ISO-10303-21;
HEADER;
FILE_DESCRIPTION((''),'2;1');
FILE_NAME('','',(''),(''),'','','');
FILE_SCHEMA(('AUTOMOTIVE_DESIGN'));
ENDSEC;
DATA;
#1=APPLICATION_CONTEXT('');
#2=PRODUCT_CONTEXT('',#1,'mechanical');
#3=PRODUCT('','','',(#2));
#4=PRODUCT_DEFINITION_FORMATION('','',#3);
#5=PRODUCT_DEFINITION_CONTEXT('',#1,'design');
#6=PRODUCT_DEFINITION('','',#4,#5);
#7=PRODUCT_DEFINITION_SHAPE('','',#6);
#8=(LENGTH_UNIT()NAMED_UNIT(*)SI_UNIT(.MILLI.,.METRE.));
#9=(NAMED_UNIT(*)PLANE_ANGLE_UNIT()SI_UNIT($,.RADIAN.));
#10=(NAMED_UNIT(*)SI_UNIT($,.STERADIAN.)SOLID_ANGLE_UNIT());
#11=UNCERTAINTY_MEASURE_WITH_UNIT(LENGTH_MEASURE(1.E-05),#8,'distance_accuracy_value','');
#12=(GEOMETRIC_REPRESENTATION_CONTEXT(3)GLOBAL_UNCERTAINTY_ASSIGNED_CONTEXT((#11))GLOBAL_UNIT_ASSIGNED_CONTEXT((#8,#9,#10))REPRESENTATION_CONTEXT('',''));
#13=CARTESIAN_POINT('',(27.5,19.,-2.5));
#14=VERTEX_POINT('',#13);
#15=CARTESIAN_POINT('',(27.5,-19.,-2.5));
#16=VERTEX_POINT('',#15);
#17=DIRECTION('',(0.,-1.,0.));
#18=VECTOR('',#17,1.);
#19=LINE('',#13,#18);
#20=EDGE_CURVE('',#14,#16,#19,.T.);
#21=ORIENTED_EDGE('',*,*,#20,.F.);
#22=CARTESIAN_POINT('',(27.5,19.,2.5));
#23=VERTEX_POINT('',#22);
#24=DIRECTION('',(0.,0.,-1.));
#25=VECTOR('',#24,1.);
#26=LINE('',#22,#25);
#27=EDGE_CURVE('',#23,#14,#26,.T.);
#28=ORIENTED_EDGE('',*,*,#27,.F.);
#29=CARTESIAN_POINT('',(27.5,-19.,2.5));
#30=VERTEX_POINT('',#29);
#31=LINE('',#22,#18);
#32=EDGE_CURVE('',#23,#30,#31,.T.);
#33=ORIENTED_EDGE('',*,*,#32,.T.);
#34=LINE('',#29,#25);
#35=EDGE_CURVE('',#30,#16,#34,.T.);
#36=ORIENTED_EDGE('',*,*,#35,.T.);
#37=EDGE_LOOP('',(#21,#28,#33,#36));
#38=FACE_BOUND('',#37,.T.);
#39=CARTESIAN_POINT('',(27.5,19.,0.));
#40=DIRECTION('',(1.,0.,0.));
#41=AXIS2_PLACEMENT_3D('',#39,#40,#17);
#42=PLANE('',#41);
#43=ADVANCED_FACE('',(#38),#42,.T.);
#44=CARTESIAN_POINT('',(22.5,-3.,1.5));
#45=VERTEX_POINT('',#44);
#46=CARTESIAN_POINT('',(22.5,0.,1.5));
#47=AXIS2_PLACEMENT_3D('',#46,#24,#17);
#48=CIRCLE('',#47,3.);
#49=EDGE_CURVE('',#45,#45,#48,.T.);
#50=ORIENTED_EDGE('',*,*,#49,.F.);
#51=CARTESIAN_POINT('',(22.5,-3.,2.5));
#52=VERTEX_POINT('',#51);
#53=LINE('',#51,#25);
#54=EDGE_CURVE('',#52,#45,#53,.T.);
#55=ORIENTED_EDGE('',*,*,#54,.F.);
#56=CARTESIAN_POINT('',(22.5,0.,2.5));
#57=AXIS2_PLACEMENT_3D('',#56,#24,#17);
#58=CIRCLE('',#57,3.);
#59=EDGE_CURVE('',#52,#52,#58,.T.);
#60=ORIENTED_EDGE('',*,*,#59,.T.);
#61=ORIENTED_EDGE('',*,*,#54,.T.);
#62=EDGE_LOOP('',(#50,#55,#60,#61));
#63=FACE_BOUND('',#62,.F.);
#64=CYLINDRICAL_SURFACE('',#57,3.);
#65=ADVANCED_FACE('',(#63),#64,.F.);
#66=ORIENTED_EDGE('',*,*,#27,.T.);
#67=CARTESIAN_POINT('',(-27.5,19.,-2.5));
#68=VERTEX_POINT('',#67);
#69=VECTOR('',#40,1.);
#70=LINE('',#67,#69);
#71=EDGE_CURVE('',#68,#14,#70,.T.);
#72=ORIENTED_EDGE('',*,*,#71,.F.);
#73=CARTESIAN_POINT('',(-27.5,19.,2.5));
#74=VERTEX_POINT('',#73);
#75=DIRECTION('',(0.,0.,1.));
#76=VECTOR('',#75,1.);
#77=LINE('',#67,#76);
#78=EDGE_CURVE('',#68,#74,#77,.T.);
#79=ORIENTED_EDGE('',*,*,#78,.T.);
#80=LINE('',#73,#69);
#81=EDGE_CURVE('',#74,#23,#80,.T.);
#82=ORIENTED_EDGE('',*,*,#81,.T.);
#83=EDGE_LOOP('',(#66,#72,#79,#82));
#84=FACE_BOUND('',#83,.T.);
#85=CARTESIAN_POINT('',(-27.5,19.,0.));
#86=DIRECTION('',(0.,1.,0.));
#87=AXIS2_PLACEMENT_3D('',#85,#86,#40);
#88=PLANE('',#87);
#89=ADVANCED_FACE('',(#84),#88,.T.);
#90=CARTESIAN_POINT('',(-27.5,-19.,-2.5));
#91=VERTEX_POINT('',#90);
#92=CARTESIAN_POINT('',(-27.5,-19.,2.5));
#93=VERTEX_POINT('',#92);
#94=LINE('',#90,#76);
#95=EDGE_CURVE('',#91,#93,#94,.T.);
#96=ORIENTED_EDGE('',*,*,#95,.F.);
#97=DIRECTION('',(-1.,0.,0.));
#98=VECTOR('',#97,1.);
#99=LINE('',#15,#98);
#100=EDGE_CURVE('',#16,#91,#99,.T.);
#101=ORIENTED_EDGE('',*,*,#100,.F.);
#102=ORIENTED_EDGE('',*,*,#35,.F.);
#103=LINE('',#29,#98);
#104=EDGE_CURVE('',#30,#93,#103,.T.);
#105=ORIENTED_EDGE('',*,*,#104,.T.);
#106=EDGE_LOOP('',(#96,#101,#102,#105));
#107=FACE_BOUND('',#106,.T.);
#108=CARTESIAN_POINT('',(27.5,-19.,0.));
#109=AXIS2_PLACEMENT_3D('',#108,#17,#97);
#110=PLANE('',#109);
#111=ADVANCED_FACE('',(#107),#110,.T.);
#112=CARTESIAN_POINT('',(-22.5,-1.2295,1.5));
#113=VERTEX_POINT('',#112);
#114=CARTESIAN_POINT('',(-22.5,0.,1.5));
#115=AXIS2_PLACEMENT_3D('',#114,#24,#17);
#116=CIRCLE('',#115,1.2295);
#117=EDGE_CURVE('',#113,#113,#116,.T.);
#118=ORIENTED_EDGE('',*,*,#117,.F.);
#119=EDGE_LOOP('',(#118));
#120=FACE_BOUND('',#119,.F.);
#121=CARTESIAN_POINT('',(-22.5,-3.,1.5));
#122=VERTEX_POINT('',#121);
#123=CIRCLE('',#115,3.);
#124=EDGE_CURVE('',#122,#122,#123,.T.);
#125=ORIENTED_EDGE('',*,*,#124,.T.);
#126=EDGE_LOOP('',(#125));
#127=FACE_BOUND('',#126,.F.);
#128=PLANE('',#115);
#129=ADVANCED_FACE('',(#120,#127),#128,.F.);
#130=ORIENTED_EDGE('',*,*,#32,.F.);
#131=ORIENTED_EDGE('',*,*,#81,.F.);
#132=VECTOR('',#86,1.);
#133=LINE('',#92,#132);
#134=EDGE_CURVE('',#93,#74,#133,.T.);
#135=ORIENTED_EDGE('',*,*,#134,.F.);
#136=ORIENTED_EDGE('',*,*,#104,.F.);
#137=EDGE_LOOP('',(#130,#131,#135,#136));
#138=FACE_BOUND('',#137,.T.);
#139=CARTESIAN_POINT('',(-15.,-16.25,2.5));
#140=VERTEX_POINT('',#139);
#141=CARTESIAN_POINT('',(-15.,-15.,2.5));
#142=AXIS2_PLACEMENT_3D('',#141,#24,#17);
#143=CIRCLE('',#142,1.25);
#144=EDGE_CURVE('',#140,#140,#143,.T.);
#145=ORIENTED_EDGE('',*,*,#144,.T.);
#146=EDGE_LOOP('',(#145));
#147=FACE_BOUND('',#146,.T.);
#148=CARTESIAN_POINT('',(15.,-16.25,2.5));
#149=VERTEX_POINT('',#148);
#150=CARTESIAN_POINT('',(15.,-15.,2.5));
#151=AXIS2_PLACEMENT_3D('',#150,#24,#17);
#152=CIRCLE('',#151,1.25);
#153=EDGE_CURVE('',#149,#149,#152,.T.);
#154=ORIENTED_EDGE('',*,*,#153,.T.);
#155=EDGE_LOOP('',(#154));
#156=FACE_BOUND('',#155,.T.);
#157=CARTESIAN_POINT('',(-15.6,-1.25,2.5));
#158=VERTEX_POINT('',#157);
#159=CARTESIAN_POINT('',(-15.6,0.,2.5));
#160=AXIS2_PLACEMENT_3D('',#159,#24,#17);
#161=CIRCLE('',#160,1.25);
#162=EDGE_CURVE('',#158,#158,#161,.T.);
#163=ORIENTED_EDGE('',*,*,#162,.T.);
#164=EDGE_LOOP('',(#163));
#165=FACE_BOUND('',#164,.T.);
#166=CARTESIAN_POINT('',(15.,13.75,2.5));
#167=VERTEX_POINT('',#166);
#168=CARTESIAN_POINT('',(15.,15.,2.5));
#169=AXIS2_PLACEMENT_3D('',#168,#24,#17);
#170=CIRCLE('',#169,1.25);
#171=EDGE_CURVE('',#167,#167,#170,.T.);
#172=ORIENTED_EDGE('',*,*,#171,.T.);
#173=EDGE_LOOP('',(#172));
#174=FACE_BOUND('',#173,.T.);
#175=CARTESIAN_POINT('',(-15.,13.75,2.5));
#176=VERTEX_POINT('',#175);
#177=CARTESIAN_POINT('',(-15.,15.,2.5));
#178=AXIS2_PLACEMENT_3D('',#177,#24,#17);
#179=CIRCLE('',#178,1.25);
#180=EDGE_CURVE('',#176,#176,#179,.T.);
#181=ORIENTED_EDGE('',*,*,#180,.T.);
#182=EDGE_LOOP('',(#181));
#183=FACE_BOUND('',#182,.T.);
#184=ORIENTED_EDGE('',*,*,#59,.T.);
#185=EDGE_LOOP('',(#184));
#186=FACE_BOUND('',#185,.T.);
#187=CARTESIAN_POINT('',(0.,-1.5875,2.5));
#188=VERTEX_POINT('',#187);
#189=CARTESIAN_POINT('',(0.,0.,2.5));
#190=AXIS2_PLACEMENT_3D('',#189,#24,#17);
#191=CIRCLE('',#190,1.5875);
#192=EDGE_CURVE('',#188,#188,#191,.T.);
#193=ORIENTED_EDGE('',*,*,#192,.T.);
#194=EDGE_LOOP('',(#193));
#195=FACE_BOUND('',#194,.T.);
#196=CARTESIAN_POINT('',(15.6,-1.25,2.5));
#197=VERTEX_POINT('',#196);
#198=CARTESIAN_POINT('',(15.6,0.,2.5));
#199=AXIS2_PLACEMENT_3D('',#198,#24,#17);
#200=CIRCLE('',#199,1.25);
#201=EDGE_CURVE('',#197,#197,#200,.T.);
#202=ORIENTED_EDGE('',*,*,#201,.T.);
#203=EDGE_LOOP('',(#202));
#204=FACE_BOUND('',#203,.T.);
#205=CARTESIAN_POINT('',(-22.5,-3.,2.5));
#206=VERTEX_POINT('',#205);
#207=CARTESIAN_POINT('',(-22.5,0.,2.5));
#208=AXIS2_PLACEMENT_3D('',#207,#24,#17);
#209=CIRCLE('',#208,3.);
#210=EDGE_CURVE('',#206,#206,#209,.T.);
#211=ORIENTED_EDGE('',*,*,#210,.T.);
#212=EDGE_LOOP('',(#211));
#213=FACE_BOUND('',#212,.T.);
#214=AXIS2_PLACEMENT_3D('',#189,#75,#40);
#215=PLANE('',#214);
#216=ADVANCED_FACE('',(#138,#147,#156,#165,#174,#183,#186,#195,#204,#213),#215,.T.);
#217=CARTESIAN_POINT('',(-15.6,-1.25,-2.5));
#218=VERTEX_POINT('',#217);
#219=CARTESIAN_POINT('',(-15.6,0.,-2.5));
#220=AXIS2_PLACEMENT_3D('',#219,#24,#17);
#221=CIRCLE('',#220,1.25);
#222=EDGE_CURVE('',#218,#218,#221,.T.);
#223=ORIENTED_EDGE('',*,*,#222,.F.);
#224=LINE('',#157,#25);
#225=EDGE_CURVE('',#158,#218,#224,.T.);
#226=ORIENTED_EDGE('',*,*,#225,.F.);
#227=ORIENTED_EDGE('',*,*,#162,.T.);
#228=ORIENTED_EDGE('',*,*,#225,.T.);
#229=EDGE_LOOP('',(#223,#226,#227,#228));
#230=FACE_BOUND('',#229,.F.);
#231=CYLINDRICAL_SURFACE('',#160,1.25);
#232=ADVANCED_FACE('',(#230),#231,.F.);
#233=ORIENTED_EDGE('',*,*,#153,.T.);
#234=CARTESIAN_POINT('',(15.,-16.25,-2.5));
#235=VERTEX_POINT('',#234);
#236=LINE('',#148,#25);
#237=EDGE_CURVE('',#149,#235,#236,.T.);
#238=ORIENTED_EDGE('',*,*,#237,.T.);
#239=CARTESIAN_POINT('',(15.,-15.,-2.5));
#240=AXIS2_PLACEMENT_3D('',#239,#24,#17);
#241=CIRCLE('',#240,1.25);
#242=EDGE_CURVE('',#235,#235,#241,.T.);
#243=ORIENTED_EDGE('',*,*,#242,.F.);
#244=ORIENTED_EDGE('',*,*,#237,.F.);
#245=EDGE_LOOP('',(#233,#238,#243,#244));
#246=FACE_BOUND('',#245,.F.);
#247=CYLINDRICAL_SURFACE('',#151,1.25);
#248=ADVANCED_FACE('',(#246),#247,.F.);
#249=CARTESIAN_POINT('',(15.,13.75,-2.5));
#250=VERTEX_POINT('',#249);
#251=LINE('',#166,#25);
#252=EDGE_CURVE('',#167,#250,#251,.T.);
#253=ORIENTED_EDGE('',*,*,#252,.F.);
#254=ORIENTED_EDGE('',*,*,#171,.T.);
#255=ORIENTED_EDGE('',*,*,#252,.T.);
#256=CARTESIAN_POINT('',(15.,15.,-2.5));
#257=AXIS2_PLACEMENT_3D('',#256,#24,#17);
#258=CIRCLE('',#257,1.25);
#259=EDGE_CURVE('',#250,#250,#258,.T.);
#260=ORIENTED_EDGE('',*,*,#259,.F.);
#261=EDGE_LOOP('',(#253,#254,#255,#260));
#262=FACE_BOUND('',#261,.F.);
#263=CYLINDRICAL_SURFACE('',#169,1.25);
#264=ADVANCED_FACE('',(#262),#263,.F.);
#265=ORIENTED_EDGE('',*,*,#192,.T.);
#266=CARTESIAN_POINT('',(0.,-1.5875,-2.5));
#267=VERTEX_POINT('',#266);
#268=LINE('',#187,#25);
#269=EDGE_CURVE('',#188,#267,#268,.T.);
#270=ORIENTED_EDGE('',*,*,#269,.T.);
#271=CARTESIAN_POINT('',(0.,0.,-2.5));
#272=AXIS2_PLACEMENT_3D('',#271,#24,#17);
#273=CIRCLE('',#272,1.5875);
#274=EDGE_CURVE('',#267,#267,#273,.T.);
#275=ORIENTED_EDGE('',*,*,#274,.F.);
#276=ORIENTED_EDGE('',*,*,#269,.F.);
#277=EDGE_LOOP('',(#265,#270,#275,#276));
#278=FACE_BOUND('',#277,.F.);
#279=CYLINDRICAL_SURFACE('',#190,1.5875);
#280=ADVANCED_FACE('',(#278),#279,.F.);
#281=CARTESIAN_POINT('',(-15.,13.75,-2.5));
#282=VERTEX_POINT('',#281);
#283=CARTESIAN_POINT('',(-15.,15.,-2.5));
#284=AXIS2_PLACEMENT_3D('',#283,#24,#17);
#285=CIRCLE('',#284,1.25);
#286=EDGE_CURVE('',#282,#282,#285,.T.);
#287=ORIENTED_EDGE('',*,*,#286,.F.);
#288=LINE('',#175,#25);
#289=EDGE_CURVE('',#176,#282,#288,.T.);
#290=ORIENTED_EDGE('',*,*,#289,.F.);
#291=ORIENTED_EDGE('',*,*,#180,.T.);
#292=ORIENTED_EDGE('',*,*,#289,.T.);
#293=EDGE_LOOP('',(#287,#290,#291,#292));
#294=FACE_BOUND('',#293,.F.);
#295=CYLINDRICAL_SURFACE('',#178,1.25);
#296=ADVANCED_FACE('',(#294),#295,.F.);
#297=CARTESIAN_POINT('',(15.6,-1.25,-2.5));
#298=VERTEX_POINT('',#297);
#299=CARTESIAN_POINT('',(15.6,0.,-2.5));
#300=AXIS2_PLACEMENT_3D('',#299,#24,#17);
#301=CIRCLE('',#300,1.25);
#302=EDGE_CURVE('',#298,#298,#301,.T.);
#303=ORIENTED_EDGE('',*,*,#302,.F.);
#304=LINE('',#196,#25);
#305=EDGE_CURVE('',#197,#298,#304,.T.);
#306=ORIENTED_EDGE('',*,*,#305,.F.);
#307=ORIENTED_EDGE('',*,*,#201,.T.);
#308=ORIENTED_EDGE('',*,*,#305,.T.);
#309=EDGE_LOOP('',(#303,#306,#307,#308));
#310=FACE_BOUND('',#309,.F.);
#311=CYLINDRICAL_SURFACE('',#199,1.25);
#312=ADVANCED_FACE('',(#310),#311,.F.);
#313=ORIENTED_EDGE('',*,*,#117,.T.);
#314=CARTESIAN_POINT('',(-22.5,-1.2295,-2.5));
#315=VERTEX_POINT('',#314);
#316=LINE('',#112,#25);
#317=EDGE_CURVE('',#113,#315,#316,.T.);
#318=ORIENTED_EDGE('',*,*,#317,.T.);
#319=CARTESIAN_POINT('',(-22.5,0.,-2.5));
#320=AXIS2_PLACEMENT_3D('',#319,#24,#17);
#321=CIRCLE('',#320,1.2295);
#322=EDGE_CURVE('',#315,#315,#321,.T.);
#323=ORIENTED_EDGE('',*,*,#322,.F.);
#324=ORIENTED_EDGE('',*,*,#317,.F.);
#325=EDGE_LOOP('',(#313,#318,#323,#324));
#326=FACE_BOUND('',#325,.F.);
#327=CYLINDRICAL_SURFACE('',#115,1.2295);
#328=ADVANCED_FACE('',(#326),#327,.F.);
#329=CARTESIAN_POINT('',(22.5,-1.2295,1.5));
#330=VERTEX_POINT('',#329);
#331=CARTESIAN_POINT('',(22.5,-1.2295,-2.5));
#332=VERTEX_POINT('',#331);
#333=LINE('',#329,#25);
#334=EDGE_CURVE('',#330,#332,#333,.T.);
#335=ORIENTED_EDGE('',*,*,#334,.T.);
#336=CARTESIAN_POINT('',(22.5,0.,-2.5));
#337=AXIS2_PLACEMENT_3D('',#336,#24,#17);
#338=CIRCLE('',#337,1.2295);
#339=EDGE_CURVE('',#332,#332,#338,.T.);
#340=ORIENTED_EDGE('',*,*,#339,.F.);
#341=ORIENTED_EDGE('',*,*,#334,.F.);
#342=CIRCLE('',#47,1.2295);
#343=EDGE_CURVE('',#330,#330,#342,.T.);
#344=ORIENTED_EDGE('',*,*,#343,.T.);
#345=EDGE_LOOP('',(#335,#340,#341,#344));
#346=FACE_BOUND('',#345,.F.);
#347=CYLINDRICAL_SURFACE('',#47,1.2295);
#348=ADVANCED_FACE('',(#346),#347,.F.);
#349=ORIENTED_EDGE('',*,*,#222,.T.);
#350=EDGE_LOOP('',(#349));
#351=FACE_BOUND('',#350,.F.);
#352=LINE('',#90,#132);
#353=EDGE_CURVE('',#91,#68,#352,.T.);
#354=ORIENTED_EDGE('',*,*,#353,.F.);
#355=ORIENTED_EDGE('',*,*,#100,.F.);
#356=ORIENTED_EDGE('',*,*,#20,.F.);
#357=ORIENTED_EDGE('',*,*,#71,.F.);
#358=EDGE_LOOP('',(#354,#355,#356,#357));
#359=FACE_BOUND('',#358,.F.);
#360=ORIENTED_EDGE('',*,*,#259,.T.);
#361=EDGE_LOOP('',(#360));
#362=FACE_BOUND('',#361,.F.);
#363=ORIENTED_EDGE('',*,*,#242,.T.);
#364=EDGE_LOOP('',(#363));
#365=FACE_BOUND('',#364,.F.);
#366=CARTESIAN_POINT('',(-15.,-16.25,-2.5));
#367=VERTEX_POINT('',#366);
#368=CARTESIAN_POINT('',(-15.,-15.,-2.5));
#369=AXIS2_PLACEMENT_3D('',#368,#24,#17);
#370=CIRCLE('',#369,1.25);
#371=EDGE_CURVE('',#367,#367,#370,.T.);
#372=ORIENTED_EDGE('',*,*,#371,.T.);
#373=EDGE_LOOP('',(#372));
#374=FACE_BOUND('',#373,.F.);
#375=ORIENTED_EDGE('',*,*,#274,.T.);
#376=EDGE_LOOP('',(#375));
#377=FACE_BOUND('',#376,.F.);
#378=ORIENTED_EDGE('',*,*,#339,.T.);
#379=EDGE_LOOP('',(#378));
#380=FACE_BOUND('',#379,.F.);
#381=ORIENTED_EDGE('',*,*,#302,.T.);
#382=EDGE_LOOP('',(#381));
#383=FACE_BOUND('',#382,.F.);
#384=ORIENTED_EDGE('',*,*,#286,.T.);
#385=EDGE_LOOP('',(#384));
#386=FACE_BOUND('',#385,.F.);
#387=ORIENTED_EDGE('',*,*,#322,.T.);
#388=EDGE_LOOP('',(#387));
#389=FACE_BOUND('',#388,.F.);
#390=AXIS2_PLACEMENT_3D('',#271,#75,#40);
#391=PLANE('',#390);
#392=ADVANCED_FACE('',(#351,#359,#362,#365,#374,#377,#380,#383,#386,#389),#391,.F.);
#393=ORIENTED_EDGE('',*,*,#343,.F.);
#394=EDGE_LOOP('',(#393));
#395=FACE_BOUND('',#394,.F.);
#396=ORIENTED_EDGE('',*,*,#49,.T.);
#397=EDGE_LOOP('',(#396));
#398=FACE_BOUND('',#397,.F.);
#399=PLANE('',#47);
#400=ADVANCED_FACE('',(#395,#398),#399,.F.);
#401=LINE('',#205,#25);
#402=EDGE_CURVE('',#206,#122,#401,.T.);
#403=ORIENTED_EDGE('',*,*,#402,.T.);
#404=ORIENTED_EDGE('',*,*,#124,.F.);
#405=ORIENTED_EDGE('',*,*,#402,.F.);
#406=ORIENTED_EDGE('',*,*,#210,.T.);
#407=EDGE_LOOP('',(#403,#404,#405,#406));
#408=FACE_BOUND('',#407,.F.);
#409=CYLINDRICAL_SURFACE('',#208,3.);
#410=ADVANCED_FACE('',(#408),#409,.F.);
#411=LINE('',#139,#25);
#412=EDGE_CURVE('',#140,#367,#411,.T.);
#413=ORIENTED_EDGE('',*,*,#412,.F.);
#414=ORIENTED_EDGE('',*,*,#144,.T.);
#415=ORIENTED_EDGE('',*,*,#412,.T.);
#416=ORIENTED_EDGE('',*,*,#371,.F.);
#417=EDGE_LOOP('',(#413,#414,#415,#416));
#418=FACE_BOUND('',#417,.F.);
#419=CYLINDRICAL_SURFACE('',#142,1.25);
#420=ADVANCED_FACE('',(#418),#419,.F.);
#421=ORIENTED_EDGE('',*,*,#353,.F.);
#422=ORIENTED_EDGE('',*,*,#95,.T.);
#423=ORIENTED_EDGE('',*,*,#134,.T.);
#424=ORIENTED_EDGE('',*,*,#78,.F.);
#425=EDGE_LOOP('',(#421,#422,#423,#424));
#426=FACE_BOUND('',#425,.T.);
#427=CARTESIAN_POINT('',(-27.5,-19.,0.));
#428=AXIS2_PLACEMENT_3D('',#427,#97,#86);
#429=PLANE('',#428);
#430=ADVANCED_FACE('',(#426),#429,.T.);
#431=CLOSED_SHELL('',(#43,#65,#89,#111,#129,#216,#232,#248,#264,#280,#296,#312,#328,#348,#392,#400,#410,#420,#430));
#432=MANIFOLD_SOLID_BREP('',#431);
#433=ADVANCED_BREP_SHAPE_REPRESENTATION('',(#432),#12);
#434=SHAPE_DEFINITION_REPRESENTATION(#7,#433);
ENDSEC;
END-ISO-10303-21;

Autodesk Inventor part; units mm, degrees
ref_plane "YZ Plane" through (0, 0, 0) normal (1, 0, 0) x (0, 1, 0)
ref_plane "XZ Plane" through (0, 0, 0) normal (0, 1, 0) x (-1, 0, 0)
ref_plane "XY Plane" through (0, 0, 0) normal (0, 0, 1) x (1, 0, 0)
sketch "Sketch1" plane through (0, 0, 0) normal (0, 0, 1) x (1, 0, 0)
  line L0 (-27.5, 19) -> (27.5, 19)
  line L1 (27.5, 19) -> (27.5, -19)
  line L2 (27.5, -19) -> (-27.5, -19)
  line L3 (-27.5, -19) -> (-27.5, 19)
  line L4 (-27.5, 19) -> (27.5, -19) construction
  line L5 (27.5, 19) -> (-27.5, -19) construction
  point P0 (0, 0)
  dimension "d2" = 38
  dimension "d3" = 55
extrude "Extrusion1" add sketch "Sketch1" along normal mid plane 5
sketch "Sketch2" plane through (0, 0, 2.5) normal (0, 0, 1) x (1, 0, 0)
  line L0 (-27.5, -19) -> (27.5, -19) projected
  line L1 (27.5, -19) -> (27.5, 19) projected
  line L2 (27.5, 19) -> (-27.5, 19) projected
  line L3 (-27.5, 19) -> (-27.5, -19) projected
  point P0 (0, 0)
  point P1 (-15, 15)
  point P2 (15, 15)
  point P3 (-15, -15)
  point P4 (15, -15)
  point P5 (0, 0)
  point P6 (15.6, 0)
  point P7 (-15.6, 0)
  dimension "d4" = 15
  dimension "d5" = 15
  dimension "d36" = 30
  dimension "d43" = 30
  dimension "d50" = 15.6
  dimension "d57" = 15.6
hole "Hole1" at (-15.6, 0, 2.5) at (-15, 15, 2.5) at (15, 15, 2.5) at (15.6, 0, 2.5) at (15, -15, 2.5) at (-15, -15, 2.5) direction (0, 0, -1) diameter 2.5 end through all
sketch "Sketch3" plane through (0, 0, 2.5) normal (0, 0, 1) x (1, 0, 0)
  point P0 (0, 0)
  point P1 (0, 0)
hole "Hole2" at (0, 0, 2.5) direction (0, 0, -1) diameter 3.175 end through all
sketch "Sketch4" plane through (0, 0, 2.5) normal (0, 0, 1) x (1, 0, 0)
  line L0 (-27.5, 19) -> (-27.5, -19) projected
  line L1 (27.5, -19) -> (27.5, 19) projected
  point P0 (0, 0)
  point P1 (-22.5, 0)
  point P2 (22.5, 0)
  dimension "d76" = 5
  dimension "d77" = 5
  dimension "d89" = 22.5
hole "Hole3" at (-22.5, 0, 2.5) at (22.5, 0, 2.5) direction (0, 0, -1) diameter 2.459 end through all counterbore diameter 6 counterbore depth 1 thread size "M3x0.5" class "6H" standard "ANSI Metric M Profile"
properties part number "baseplate"
